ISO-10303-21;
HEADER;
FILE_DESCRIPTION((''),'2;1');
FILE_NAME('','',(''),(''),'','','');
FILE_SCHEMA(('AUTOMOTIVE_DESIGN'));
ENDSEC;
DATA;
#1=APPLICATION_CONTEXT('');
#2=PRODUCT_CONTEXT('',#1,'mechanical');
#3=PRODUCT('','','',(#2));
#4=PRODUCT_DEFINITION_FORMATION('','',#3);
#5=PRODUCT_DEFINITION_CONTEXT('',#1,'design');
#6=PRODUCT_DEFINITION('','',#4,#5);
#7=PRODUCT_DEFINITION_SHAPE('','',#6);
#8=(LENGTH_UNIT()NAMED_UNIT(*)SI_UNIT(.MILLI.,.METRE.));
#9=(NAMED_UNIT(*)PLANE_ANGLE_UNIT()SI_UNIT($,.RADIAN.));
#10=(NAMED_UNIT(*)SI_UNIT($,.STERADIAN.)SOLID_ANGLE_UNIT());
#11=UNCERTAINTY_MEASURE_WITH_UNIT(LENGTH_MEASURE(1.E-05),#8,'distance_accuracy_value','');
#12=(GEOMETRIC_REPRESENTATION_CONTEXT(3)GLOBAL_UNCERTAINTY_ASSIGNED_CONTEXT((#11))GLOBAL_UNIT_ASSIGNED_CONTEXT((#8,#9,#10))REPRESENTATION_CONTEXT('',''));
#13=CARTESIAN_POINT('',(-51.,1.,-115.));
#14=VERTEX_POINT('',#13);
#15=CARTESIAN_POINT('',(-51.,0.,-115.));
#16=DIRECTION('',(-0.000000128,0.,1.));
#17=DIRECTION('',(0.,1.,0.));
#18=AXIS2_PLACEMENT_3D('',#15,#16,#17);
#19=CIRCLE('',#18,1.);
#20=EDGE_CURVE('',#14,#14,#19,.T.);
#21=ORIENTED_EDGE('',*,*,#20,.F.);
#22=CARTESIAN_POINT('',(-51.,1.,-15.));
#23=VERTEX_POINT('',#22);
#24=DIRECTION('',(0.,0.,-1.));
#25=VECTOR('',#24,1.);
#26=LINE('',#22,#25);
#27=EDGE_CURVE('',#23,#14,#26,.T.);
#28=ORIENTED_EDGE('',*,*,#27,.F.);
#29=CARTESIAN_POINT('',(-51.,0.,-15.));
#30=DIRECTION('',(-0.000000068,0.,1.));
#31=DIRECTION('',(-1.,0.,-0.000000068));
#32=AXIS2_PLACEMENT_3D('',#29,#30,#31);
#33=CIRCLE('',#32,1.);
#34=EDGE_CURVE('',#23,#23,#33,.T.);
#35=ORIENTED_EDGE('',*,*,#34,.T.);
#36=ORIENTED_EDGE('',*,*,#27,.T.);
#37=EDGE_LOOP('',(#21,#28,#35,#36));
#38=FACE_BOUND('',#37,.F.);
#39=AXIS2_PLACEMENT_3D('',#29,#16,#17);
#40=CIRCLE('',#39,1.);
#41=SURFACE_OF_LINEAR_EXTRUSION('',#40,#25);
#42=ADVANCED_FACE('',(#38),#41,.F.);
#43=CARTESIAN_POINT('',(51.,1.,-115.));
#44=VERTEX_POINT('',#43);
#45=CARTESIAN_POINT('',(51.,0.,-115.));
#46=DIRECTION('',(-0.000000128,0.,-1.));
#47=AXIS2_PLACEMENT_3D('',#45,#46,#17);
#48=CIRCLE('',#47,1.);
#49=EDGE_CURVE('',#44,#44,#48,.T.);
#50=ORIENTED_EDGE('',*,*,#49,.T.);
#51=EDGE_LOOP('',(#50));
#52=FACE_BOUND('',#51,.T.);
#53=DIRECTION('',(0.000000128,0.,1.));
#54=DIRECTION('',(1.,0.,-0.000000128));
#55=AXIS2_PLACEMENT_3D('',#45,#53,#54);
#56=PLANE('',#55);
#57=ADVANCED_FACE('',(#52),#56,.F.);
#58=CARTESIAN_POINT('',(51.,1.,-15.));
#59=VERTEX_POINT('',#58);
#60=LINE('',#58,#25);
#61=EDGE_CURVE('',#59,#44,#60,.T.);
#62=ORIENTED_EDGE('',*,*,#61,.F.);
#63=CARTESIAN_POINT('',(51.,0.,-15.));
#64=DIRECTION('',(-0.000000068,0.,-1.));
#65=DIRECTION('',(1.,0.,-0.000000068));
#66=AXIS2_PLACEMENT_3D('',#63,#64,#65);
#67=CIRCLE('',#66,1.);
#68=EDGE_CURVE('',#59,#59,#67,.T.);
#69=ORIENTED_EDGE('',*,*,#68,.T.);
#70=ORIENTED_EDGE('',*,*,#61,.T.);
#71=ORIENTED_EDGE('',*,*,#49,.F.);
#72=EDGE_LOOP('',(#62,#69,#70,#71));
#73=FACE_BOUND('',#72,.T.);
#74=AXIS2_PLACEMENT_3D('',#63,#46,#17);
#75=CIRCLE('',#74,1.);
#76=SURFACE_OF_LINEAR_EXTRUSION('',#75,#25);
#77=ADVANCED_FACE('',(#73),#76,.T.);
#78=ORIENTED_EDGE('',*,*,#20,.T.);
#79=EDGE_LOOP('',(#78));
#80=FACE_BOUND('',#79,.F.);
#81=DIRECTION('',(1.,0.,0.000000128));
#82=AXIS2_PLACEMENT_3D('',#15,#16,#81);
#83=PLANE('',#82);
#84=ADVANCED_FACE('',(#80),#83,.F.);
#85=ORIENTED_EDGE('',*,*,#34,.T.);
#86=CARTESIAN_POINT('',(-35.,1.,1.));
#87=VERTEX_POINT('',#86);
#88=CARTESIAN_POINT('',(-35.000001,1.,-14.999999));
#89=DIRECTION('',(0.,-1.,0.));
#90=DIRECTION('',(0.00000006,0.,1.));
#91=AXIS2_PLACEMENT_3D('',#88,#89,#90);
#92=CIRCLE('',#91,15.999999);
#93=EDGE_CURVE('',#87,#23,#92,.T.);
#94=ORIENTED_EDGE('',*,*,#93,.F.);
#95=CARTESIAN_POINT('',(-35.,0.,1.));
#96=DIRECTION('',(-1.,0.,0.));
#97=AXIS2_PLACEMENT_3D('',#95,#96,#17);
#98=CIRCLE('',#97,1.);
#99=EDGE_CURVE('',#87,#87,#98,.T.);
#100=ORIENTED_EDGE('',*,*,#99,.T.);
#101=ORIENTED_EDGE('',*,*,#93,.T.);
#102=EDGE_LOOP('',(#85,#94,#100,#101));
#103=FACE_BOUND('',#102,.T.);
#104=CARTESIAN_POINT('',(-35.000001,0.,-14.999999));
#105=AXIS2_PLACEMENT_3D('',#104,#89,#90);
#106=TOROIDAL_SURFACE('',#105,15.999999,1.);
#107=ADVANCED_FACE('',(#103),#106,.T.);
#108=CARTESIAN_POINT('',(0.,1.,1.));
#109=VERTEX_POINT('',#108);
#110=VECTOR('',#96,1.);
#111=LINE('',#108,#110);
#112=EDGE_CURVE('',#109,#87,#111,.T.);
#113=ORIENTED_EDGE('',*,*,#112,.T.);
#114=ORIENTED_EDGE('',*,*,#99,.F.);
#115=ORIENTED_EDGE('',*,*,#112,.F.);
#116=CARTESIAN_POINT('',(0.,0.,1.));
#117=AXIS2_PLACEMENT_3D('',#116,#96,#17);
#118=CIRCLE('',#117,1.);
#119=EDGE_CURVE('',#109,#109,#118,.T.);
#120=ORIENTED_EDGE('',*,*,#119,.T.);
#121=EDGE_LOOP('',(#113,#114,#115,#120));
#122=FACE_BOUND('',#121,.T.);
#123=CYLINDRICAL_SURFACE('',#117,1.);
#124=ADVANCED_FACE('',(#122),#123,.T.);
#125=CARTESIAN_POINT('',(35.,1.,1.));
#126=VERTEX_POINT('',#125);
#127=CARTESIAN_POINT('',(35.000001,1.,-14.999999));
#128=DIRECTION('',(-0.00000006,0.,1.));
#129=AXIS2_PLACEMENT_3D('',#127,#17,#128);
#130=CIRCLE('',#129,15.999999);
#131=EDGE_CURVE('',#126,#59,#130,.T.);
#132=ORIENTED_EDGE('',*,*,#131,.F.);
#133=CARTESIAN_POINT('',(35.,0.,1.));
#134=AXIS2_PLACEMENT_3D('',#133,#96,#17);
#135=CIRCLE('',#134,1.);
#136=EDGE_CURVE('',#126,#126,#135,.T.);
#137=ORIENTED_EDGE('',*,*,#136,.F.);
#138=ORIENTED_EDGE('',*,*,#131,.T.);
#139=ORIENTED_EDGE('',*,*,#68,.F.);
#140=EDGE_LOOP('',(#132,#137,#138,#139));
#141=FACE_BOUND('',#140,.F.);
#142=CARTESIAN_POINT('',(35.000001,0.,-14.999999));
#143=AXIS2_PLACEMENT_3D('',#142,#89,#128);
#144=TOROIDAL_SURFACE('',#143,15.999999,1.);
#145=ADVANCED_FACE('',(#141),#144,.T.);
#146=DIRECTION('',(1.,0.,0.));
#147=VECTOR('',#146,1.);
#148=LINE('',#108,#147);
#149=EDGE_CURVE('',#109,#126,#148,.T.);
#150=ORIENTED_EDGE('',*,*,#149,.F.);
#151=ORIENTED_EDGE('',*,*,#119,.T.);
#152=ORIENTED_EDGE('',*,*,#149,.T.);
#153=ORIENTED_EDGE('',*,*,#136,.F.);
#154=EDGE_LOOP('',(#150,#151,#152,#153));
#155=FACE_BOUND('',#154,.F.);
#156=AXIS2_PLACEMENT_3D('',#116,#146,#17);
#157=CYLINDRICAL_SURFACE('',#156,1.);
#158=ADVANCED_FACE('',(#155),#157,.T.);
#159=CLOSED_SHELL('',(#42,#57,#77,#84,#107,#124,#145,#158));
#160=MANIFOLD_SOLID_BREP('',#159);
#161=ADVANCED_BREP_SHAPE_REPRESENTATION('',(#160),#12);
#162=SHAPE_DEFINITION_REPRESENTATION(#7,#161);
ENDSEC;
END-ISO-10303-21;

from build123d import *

# Parameters (mm, degrees)
F1_R = 1


with BuildPart() as f2:
    # F2: sweep along a path in F0
    with BuildLine(Plane.XZ) as f2_path:
        Line((0, 0), (-35, 0))
        ThreePointArc((-35, 0), (-45.606602, -4.393398), (-50, -15))
        Line((-50, -15), (-50, -115))
    # F1 (on Right) → F2 (sweep)
    with BuildSketch(Plane.YZ):
        with Locations((0, 1)):
            Circle(F1_R)
    sweep(path=f2_path.line)

    # F3: F2 across plane


with BuildPart() as f2_1:
    add(f2.part)
    add(f2.part.mirror(Plane.YZ))


solid = f2_1.part
